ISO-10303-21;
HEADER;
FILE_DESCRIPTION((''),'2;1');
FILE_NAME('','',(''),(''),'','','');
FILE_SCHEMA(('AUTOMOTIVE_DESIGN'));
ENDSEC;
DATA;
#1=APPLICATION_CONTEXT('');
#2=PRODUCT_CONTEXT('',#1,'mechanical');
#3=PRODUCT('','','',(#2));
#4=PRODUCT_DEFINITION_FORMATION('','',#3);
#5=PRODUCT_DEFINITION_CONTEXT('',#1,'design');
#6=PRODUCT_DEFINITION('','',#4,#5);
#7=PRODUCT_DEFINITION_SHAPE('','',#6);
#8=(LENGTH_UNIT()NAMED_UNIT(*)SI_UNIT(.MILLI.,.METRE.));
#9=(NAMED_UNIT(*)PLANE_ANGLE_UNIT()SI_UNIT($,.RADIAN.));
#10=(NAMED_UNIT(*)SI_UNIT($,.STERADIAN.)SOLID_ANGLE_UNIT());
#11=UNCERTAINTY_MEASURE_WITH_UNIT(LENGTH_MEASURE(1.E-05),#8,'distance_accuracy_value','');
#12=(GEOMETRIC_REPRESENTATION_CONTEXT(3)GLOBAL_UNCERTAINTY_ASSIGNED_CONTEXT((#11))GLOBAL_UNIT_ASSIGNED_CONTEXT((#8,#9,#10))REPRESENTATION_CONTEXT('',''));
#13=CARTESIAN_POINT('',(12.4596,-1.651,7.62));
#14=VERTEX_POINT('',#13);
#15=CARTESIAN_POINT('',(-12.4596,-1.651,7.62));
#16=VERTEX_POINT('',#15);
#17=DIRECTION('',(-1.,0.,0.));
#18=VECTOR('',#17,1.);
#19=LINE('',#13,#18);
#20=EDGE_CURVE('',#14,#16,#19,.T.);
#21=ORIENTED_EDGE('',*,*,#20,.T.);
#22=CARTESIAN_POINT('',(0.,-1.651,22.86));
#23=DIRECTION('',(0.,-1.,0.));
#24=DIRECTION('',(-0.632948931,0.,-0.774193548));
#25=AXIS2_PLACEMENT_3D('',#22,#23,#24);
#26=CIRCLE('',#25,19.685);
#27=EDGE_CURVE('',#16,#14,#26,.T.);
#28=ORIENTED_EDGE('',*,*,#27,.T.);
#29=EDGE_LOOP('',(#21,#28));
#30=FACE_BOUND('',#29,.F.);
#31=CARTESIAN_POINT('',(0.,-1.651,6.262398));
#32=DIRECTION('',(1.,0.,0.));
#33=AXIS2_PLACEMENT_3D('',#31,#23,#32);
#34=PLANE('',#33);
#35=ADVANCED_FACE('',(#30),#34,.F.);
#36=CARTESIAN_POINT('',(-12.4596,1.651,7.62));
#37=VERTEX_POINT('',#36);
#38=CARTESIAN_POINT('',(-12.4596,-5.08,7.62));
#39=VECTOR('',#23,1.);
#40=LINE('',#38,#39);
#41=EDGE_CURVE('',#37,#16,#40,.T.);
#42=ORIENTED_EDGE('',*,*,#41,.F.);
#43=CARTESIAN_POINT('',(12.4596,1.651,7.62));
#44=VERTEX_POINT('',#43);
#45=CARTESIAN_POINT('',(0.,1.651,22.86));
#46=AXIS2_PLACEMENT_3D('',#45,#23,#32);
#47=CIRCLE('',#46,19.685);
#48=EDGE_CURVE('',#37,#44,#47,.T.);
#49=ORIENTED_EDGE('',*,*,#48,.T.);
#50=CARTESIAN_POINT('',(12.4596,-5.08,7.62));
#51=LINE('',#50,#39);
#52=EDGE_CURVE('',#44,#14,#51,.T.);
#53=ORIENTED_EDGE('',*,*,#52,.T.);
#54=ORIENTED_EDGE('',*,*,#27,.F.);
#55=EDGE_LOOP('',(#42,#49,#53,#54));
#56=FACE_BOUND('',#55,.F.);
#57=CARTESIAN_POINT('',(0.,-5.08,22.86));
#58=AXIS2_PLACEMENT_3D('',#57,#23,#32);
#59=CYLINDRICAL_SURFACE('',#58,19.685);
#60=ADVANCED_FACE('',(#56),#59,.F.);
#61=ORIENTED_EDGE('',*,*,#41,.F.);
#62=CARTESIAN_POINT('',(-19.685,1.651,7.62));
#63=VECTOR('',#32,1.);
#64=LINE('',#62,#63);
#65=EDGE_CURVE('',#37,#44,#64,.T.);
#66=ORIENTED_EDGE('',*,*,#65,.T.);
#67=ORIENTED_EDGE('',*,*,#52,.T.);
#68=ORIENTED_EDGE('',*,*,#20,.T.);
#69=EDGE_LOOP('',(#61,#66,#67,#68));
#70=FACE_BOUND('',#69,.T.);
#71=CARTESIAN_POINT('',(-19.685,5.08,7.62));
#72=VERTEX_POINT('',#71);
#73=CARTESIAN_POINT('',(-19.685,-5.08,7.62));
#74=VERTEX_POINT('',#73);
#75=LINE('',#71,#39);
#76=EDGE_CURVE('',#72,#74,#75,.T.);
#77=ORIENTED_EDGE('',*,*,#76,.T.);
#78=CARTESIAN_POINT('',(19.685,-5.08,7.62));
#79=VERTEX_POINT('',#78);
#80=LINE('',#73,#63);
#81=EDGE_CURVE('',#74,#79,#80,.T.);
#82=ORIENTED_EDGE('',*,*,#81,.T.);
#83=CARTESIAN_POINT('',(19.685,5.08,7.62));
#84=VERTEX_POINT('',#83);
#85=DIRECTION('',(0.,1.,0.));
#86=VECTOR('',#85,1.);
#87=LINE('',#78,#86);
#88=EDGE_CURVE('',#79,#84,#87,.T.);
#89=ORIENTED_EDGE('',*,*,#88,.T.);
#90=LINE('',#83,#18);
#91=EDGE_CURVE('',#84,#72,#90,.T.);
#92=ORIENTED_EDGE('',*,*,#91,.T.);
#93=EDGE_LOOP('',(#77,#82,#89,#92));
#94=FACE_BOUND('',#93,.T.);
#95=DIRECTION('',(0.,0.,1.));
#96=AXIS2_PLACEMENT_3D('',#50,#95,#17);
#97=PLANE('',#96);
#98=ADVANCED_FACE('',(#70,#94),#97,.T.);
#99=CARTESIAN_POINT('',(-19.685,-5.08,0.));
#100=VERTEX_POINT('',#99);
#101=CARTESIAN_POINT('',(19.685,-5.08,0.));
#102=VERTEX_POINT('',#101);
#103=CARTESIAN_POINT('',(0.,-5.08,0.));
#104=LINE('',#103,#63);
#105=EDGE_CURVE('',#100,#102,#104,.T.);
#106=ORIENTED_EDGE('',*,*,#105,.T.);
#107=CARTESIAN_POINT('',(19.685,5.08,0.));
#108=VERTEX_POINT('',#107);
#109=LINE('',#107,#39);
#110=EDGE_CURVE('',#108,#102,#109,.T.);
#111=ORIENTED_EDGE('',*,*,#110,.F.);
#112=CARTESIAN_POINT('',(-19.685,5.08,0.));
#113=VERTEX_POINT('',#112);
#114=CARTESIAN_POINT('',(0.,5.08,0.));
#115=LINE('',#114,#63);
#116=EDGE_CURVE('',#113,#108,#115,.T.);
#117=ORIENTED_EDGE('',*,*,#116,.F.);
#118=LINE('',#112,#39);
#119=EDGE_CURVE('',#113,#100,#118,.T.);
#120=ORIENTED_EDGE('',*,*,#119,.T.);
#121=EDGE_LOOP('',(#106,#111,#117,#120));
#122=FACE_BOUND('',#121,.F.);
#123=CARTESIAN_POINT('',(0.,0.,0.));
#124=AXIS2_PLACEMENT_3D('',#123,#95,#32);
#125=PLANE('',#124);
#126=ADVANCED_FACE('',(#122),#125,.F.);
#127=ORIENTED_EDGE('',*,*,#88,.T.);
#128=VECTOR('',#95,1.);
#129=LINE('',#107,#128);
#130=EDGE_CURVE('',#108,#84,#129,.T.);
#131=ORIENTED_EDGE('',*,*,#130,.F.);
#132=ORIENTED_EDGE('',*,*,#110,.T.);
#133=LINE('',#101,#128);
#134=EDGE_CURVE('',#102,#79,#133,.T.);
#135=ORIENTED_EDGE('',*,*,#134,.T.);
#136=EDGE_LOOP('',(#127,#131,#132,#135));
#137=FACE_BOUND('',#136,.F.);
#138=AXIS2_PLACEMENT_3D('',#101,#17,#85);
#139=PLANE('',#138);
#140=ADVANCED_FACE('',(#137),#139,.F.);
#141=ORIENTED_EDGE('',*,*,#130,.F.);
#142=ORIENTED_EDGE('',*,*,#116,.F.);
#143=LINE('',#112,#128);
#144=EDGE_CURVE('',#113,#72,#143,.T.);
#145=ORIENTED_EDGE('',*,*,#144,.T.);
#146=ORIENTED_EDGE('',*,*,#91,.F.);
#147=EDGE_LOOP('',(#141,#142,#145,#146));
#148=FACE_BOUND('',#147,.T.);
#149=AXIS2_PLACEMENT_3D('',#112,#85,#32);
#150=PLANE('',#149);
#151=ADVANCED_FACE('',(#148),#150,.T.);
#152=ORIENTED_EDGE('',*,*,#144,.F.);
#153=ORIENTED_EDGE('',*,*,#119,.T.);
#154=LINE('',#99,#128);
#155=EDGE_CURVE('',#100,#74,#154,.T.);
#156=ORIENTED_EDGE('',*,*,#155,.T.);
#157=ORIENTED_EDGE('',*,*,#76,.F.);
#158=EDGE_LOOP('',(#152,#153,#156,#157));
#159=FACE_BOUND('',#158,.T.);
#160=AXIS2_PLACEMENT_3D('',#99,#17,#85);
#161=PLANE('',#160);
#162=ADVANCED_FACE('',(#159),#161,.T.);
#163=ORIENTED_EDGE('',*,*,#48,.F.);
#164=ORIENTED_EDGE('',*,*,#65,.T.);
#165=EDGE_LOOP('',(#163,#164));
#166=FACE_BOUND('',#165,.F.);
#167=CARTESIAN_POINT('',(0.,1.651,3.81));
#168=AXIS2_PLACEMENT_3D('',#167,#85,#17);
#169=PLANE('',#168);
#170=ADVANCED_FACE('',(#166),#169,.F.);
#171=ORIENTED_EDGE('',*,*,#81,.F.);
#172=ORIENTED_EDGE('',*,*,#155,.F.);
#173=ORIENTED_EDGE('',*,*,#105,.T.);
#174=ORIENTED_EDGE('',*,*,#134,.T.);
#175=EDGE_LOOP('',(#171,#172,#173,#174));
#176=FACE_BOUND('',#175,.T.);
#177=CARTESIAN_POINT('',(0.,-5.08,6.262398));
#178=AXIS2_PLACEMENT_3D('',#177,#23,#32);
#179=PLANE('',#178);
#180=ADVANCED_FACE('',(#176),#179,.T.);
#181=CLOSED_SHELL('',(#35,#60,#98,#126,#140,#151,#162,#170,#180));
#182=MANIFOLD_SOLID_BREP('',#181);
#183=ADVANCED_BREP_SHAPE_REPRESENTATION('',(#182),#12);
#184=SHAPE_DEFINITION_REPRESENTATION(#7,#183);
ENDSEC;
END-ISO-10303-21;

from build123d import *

# Parameters (mm, degrees)
F0_W     = 39.37
F0_H     = 10.16
F1_DEPTH = 7.62
F2_R     = 19.685
F3_DEPTH = 12.7
F4_DEPTH = 3.429
F5_W     = 39.37
F5_H     = 7.62
F6_DEPTH = 3.429


with BuildPart() as f1:
    # F0 (on Top) → F1 (new body)
    with BuildSketch(Plane.XY):
        Rectangle(F0_W, F0_H)
    extrude(amount=F1_DEPTH)

    # F2 (on face) → F3 (cut)
    with BuildSketch(Plane.XZ.offset(5.08)):
        with Locations((0, 22.86)):
            Circle(F2_R)
    extrude(amount=-F3_DEPTH, mode=Mode.SUBTRACT)

    # F2 (on face) → F4 (join)
    with BuildSketch(Plane.XZ.offset(5.08)):
        with BuildLine():
            Line((12.4595997127, 7.62), (-12.4595997127, 7.62))
            ThreePointArc((-12.4595997127, 7.62), (0, 3.175), (12.4595997127, 7.62))
        make_face()
    extrude(amount=-F4_DEPTH)

    # F5 (on face) → F6 (join)
    with BuildSketch(Plane(origin=(0, 5.08, 0), x_dir=(-1, 0, 0), z_dir=(0, 1, 0))):
        with Locations((0, 3.81)):
            Rectangle(F5_W, F5_H)
        with BuildLine():
            Line((-12.4595997127, 7.62), (-19.685, 7.62))
            Line((-19.685, 7.62), (-19.685, 0))
            Line((-19.685, 0), (19.685, 0))
            Line((19.685, 0), (19.685, 7.62))
            Line((19.685, 7.62), (12.4595997127, 7.62))
            ThreePointArc((12.4595997127, 7.62), (0, 3.175), (-12.4595997127, 7.62))
        make_face()
    extrude(amount=-F6_DEPTH)


solid = f1.part
